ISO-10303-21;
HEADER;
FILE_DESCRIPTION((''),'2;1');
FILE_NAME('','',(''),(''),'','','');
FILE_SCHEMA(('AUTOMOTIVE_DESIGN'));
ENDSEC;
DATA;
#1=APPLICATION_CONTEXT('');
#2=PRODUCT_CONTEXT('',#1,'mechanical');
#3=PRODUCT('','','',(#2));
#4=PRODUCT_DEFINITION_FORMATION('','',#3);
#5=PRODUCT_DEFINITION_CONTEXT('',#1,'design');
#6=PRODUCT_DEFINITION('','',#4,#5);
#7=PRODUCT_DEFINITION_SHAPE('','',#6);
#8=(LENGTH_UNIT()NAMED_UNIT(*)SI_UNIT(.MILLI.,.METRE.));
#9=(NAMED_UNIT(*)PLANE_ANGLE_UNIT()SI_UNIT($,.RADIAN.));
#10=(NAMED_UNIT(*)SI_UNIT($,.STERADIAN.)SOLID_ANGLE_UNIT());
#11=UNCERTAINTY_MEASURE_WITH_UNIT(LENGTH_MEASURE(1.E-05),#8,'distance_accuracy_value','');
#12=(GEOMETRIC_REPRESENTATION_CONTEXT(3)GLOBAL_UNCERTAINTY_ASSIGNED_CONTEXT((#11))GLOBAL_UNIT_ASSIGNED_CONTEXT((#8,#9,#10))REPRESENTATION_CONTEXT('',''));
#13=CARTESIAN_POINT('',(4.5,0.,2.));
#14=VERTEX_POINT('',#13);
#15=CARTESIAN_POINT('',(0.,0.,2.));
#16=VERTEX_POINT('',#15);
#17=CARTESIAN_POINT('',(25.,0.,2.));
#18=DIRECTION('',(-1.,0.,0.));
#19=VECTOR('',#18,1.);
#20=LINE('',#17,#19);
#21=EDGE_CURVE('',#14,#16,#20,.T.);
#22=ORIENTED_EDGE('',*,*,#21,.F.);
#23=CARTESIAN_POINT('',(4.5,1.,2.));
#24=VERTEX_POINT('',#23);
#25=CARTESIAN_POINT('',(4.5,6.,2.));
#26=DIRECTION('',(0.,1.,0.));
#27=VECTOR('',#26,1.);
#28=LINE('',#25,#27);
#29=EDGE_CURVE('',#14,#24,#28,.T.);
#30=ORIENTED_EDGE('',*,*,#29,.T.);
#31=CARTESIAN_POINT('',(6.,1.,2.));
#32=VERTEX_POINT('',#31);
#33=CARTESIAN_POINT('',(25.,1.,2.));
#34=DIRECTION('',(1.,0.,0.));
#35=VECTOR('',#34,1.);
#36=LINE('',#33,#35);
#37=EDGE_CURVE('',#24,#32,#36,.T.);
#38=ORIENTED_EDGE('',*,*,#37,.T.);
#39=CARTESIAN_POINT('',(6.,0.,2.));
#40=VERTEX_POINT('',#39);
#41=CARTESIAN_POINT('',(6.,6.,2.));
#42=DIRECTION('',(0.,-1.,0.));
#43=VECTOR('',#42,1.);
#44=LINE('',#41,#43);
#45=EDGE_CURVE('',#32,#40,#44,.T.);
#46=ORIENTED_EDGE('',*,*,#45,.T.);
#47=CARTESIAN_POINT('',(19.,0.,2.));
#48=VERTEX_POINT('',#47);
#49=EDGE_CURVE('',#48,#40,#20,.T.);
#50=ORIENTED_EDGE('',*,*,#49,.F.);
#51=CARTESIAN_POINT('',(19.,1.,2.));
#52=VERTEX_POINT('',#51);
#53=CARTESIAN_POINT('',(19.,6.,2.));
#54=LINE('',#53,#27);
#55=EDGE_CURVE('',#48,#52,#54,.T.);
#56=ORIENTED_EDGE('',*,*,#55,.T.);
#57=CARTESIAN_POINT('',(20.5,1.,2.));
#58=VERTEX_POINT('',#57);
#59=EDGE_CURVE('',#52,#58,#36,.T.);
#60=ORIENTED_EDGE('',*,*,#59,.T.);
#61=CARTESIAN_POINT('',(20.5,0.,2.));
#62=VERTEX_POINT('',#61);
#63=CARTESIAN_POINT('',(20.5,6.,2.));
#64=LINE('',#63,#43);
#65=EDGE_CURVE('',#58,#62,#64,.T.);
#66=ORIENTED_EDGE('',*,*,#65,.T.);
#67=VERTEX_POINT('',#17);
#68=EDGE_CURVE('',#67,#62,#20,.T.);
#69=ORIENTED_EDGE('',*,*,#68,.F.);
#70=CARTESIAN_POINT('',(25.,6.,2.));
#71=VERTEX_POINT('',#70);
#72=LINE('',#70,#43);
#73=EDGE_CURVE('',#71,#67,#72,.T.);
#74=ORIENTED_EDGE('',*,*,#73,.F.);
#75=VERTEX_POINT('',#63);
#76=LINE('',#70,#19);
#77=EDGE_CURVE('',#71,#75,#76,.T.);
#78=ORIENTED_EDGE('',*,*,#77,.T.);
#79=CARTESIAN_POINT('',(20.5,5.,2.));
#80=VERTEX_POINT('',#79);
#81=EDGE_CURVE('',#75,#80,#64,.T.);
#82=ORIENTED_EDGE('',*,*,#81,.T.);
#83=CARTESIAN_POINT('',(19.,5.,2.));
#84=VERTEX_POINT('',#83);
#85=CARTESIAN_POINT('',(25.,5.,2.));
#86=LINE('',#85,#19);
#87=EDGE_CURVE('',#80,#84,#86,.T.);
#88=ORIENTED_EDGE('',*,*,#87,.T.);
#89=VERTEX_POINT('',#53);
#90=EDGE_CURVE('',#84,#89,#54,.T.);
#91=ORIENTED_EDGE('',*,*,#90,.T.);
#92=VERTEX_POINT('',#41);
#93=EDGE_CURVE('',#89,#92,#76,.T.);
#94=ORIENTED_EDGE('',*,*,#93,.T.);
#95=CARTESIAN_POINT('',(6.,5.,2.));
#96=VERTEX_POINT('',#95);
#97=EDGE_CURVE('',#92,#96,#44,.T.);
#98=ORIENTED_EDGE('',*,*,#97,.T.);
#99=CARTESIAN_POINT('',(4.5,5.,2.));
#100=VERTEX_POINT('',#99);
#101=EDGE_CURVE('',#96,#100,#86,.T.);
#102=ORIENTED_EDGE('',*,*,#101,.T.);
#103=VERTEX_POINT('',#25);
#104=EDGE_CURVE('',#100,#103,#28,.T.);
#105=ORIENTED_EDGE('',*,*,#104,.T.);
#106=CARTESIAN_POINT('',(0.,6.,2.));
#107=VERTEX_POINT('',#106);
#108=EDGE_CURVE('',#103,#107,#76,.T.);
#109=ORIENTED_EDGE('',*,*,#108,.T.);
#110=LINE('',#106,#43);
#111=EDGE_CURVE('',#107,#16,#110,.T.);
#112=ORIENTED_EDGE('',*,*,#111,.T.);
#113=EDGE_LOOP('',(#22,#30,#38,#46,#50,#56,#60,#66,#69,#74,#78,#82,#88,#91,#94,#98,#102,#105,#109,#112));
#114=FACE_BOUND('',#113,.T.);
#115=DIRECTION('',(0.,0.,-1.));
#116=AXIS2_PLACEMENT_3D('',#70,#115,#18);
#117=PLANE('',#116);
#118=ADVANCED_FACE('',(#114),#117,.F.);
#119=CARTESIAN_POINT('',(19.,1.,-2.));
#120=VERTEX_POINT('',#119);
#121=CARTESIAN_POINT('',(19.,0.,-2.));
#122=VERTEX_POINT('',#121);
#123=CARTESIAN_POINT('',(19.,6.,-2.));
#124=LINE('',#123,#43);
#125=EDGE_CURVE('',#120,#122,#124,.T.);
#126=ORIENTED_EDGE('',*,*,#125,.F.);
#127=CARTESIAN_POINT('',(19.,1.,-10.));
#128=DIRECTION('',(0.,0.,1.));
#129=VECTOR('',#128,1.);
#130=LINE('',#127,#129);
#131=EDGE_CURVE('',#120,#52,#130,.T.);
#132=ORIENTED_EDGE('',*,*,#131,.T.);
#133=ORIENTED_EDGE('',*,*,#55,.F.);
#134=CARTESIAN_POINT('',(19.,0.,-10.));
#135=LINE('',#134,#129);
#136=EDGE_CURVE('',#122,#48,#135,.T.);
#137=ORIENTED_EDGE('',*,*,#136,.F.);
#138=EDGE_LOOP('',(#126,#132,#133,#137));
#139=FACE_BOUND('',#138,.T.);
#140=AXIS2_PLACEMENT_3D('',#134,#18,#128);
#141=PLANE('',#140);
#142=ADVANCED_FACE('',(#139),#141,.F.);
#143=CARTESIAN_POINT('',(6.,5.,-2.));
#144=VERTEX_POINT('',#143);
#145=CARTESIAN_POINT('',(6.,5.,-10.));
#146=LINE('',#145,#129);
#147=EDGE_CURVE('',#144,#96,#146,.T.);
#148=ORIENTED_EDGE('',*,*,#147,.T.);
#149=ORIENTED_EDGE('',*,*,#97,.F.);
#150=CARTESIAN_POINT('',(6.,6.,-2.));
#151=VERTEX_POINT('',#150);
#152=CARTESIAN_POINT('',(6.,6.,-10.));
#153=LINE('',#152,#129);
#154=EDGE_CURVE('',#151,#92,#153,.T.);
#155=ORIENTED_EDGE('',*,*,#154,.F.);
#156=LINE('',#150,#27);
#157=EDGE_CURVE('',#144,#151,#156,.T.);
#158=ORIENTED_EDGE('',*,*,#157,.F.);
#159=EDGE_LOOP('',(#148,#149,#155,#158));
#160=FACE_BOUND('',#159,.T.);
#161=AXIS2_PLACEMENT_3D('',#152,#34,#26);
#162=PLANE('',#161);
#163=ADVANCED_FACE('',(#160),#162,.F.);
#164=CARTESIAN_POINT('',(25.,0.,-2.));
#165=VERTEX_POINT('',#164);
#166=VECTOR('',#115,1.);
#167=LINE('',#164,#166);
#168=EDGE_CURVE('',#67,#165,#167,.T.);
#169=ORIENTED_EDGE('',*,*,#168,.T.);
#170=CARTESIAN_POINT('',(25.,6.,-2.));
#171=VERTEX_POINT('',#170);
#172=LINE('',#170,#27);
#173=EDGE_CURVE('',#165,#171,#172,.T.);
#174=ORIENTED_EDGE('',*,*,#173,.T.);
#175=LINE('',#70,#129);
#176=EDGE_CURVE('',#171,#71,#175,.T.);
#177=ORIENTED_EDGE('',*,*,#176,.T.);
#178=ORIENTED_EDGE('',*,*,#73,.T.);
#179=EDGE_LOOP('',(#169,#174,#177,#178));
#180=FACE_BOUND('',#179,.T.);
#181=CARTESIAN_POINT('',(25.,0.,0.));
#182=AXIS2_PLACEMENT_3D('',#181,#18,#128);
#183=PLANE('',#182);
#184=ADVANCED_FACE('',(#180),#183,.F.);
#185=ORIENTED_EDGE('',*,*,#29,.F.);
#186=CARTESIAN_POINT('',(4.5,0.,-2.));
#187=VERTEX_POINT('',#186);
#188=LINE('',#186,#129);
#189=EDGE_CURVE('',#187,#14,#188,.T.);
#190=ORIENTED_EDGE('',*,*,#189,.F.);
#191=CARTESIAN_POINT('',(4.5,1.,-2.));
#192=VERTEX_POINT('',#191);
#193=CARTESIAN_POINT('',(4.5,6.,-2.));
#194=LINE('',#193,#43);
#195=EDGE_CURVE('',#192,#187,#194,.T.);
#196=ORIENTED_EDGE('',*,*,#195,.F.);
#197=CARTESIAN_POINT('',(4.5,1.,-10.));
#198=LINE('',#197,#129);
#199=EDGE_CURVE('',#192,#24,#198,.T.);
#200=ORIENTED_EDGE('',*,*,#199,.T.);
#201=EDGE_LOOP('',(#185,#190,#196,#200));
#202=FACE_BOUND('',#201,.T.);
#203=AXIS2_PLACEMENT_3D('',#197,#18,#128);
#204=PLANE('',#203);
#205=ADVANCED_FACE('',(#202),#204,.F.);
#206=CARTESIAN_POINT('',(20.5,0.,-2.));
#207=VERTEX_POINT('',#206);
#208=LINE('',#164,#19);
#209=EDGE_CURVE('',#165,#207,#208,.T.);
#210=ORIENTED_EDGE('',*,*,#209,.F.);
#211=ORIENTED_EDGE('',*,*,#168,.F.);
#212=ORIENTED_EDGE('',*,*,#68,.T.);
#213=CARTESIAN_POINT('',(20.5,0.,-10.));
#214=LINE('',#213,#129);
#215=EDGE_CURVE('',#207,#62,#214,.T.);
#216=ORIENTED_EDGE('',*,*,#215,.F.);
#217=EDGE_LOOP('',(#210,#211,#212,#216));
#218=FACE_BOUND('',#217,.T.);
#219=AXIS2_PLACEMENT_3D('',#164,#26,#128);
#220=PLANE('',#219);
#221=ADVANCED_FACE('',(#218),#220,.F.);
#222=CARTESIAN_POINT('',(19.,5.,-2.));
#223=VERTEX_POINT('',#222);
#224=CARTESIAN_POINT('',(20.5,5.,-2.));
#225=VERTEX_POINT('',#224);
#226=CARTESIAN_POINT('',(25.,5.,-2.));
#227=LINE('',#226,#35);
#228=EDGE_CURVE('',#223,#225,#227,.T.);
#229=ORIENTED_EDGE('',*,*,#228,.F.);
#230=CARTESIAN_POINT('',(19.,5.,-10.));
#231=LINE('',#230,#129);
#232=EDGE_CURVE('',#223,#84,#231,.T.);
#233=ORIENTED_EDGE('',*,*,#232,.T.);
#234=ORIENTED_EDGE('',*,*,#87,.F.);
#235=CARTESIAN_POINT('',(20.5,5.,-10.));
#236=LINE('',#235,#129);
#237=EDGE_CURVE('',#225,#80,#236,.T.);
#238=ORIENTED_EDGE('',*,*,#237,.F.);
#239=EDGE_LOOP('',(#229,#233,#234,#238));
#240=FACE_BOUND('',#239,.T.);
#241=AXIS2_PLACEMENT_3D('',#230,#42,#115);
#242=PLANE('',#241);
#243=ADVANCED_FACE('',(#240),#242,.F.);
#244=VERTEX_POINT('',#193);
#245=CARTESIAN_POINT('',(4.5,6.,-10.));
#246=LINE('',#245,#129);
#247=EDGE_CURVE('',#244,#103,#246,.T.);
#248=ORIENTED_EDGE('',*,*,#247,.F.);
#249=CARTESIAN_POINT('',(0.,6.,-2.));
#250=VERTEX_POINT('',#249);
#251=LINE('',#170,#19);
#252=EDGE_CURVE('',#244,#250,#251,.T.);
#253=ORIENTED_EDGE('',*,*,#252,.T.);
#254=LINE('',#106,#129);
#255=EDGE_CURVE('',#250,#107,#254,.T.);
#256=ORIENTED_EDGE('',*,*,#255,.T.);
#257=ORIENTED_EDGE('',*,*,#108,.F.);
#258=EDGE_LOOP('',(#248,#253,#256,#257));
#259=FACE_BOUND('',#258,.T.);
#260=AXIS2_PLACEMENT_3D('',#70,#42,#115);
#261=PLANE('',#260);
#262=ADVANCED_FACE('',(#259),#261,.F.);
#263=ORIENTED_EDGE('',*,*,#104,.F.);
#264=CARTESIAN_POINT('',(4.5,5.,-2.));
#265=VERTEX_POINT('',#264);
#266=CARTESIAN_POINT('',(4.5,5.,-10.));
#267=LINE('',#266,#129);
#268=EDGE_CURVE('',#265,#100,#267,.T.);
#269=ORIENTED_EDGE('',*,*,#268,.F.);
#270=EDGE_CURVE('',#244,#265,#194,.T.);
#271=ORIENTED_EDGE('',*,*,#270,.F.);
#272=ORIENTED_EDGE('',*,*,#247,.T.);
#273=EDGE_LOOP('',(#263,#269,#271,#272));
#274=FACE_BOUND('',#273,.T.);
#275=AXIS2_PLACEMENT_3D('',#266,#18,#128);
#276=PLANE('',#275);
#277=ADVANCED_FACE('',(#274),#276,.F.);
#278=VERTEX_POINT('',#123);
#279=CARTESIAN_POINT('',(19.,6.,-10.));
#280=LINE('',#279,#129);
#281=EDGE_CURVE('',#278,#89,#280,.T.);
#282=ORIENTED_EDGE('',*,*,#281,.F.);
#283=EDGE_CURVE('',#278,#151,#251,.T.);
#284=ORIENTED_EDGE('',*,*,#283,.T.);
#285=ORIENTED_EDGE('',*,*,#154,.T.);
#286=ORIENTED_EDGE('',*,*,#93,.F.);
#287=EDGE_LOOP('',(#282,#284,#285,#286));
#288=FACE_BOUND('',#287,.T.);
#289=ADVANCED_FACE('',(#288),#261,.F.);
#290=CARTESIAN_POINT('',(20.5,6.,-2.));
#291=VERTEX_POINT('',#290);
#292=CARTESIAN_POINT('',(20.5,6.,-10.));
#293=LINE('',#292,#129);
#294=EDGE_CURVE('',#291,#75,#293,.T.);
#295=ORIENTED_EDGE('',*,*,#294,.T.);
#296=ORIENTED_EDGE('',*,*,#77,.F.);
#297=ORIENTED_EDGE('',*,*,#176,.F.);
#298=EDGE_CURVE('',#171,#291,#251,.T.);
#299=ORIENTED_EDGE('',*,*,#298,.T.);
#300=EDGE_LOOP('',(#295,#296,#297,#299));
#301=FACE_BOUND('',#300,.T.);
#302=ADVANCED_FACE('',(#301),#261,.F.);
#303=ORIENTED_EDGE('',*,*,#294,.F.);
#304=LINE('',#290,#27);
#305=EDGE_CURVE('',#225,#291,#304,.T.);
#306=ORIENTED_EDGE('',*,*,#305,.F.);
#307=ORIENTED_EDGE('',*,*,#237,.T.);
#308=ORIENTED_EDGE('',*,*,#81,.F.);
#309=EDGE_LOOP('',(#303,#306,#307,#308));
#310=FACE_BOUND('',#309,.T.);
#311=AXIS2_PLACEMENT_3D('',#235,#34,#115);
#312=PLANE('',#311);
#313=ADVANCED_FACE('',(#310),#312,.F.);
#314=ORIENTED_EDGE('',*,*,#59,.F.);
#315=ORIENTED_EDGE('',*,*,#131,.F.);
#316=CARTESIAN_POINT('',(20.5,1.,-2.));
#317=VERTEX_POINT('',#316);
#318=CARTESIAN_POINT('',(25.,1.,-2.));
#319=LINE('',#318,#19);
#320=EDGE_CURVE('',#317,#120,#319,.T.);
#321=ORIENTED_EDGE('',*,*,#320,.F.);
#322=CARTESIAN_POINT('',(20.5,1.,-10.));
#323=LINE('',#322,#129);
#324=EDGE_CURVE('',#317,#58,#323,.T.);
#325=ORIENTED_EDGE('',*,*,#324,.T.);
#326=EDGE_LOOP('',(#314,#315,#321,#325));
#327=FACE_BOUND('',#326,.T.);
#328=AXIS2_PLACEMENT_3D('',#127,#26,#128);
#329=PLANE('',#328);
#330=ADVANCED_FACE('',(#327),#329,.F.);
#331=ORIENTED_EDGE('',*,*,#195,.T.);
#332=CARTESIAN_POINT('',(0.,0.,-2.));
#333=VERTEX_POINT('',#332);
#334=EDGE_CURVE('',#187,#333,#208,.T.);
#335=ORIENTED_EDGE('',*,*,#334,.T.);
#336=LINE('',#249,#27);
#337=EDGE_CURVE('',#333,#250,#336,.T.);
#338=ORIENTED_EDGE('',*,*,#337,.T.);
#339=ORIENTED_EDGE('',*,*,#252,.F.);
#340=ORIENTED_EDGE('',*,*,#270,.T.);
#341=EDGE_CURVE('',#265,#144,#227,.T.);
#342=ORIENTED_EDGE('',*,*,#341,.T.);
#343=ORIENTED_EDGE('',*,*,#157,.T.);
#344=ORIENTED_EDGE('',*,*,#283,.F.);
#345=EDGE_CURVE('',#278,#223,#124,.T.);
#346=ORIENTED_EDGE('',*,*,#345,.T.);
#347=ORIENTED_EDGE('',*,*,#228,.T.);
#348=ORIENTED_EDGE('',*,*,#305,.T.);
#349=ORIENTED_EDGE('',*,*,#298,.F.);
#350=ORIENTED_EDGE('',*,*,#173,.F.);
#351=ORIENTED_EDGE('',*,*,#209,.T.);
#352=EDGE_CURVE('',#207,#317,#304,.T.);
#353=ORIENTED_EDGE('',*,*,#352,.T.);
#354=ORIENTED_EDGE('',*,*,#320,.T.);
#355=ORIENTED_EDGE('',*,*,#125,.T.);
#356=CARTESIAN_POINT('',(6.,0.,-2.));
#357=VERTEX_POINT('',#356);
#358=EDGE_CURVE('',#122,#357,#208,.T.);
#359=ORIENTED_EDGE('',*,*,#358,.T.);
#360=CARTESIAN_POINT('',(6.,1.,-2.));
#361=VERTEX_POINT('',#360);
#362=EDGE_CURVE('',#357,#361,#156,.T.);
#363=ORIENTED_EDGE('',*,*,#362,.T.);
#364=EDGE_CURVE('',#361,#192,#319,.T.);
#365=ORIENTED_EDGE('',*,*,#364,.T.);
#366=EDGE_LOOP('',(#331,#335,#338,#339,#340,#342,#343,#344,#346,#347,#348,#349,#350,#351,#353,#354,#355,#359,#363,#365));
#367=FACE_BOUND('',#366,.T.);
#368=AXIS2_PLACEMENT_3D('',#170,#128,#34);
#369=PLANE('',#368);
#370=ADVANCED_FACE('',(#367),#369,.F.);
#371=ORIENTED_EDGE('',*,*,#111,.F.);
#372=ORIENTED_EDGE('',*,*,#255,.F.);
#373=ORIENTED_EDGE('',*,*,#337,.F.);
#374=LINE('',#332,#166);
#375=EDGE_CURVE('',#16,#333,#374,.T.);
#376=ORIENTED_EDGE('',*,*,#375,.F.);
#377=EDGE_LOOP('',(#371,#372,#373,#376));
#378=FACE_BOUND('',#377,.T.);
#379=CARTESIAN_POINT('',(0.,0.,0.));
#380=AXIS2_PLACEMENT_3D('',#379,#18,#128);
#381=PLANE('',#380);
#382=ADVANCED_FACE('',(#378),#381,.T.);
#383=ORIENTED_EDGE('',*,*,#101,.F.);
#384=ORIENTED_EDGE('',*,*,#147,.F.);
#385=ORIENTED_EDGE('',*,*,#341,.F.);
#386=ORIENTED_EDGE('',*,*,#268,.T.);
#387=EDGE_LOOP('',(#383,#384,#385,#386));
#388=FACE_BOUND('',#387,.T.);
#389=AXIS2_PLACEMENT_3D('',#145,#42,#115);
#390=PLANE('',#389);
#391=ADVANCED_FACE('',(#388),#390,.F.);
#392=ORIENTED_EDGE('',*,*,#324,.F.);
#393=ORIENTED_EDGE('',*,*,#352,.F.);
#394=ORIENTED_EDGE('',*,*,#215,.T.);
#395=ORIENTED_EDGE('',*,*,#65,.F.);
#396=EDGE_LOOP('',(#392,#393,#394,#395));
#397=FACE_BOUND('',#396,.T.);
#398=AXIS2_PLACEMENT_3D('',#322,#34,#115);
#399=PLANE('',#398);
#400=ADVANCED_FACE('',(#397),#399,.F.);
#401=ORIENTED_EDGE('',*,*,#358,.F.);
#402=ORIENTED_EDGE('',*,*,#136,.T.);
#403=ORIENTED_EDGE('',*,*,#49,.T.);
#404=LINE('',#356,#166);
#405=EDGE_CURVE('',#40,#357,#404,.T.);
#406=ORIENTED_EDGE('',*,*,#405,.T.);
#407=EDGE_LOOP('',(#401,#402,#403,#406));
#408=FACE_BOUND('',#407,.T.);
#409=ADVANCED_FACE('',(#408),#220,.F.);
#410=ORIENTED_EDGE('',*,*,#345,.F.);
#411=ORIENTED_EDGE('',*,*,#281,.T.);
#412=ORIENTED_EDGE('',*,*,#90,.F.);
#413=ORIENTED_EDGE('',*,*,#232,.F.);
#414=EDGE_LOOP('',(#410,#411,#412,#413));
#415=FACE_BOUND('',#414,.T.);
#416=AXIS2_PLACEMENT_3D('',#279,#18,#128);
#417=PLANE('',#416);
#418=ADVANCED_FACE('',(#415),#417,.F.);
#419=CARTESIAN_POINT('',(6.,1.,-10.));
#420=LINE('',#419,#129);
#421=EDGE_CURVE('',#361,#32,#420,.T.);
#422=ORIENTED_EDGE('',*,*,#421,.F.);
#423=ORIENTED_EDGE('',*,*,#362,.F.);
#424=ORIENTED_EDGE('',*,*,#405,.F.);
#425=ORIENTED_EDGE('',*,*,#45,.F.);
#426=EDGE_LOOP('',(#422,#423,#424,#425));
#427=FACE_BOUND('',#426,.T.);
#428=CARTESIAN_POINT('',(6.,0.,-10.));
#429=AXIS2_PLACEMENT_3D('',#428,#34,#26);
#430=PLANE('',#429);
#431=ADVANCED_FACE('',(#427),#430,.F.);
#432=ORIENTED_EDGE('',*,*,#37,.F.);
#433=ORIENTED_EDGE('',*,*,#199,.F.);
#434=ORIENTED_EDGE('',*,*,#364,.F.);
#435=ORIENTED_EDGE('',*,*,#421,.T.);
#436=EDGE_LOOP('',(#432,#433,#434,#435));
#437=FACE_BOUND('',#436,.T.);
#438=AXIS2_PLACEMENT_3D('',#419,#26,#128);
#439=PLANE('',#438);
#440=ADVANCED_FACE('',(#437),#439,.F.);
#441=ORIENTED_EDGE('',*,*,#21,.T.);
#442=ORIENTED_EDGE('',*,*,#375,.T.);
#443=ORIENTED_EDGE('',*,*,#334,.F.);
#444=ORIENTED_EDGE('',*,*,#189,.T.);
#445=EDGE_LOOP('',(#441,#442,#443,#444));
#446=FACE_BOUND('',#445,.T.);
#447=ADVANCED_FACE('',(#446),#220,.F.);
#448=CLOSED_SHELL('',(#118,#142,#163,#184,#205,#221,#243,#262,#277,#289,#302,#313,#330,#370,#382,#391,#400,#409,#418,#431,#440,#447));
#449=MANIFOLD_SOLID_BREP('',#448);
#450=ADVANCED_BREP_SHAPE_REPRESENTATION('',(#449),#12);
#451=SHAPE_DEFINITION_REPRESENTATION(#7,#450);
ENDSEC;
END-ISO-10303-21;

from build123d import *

# Parameters (mm, degrees)
SKETCH_1_W          = 4
SKETCH_1_H          = 6
EXTRUDE_1_DEPTH     = 25
SKETCH_3_W          = 1.5
SKETCH_3_H          = 1
CUT_EXTRUDE_1_DEPTH = 10


with BuildPart() as part:
    # 草图1 → 凸台-拉伸1 (new body)
    with BuildSketch(Plane(origin=(0, 0, 0), x_dir=(0, 0, -1), z_dir=(1, 0, 0))):
        with Locations((0, 3)):
            Rectangle(SKETCH_1_W, SKETCH_1_H)
    extrude(amount=EXTRUDE_1_DEPTH)

    # 草图3 → 切除-拉伸1 (cut, symmetric)
    with BuildSketch(Plane.XY):
        with Locations((5.25, 0.5)):
            Rectangle(SKETCH_3_W, SKETCH_3_H)
        with Locations((5.25, 5.5)):
            Rectangle(SKETCH_3_W, SKETCH_3_H)
        with Locations((19.75, 5.5)):
            Rectangle(SKETCH_3_W, SKETCH_3_H)
        with Locations((19.75, 0.5)):
            Rectangle(SKETCH_3_W, SKETCH_3_H)
    extrude(amount=CUT_EXTRUDE_1_DEPTH, both=True, mode=Mode.SUBTRACT)


solid = part.part
